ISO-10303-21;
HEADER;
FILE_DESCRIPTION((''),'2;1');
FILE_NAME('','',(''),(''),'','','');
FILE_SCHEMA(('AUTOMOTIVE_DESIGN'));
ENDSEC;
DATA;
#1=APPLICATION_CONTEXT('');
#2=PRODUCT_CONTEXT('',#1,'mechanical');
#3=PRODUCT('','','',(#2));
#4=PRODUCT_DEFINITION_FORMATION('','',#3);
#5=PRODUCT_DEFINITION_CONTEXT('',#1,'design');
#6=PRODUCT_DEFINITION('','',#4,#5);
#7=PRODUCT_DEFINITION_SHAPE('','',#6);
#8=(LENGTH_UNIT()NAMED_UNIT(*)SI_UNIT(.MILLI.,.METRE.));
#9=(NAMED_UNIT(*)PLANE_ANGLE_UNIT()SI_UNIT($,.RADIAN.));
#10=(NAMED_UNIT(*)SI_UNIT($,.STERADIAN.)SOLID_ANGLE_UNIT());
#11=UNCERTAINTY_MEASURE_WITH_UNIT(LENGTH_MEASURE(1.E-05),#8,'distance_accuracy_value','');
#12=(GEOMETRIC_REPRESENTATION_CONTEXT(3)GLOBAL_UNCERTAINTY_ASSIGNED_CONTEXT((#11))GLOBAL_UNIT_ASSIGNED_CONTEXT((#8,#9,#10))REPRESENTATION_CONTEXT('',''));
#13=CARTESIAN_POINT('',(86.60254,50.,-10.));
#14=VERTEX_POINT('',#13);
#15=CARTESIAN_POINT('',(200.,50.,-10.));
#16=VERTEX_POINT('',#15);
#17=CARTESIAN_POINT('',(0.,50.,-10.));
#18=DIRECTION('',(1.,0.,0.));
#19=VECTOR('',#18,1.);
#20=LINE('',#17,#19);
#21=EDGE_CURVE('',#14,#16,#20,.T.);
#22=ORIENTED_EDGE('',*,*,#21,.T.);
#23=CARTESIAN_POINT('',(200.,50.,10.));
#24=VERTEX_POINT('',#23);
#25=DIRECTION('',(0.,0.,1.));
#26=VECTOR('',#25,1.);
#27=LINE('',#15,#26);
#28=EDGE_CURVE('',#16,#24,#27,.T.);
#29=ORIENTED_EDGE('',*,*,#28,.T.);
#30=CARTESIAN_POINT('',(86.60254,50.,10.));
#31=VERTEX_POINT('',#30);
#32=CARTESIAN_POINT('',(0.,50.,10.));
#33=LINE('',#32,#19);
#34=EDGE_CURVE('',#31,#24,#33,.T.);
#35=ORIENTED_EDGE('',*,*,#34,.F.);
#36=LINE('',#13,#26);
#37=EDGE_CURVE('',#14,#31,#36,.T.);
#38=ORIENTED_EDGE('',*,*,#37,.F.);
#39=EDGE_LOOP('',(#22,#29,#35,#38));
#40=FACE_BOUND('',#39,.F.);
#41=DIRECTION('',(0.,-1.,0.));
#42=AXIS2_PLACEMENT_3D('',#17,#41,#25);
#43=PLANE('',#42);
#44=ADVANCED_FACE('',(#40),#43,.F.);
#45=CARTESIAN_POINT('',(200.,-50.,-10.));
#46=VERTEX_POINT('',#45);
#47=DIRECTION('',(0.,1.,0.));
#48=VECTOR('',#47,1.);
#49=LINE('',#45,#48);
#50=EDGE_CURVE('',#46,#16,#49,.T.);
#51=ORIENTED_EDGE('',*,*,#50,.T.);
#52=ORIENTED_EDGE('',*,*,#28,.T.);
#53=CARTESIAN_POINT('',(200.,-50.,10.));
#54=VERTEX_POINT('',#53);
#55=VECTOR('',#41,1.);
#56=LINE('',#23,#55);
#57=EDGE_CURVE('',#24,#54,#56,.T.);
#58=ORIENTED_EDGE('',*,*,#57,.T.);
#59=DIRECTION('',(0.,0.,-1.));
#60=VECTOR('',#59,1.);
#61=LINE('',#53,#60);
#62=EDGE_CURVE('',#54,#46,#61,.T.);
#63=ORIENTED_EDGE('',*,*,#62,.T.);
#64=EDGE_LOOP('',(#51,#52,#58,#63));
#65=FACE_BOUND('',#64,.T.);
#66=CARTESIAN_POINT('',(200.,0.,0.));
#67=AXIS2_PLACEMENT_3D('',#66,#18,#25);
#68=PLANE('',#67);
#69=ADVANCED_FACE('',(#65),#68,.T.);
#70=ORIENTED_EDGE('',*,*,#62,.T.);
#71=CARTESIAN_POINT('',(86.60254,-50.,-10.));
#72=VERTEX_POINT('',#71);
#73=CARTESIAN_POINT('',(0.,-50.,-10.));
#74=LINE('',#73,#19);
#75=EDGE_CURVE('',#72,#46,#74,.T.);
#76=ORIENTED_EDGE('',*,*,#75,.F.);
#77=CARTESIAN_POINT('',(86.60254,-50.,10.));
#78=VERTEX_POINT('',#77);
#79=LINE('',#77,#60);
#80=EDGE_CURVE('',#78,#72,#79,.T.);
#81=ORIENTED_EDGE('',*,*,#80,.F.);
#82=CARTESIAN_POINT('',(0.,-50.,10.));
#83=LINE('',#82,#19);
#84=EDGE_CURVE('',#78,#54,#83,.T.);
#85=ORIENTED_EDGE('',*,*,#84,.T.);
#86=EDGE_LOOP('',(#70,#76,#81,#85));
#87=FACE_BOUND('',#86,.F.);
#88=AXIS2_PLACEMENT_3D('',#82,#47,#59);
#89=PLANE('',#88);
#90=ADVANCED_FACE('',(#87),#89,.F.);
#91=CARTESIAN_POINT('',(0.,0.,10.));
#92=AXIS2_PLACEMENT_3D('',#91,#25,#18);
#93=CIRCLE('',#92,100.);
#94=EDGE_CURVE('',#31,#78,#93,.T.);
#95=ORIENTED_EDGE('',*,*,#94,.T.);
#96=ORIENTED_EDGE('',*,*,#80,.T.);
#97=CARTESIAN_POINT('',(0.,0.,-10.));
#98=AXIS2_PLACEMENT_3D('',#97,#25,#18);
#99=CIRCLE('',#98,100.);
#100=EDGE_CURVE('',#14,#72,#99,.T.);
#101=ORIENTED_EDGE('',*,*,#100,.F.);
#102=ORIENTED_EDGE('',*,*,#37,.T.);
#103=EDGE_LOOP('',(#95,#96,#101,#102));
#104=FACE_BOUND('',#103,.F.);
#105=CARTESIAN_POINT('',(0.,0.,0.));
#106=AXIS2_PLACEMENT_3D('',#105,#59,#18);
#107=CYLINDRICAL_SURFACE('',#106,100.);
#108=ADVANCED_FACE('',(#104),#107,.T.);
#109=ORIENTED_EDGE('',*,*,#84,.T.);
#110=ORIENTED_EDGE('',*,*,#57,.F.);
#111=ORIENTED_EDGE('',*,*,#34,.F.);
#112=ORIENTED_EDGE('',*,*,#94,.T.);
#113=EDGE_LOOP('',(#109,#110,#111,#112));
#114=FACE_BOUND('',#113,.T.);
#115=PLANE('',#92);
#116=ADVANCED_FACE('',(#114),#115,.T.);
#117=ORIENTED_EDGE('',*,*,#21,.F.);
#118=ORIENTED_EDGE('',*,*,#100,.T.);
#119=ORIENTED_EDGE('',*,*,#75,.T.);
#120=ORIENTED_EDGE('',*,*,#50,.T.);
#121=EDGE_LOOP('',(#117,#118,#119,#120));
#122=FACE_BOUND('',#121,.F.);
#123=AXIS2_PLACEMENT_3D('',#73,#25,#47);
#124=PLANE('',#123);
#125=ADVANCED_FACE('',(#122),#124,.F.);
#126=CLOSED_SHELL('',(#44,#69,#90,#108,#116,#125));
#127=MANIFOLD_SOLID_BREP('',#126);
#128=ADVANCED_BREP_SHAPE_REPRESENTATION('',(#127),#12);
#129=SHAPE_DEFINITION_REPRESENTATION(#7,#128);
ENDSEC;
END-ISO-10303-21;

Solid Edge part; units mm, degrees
sketch "Sketch1" plane through (0, 0, 0) normal (0, 0, 1) x (1, 0, 0)
  circle A0 centre (0, 0) radius 100
extrude "Protrusion1" add sketch "Sketch1" along normal mid plane 20
sketch "Sketch2" plane through (0, 0, 0) normal (1, 0, 0) x (0, 1, 0)
  line L0 (50, -10) -> (50, 10)
  line L1 (50, 10) -> (-50, 10)
  line L2 (-50, 10) -> (-50, -10)
  line L3 (-50, -10) -> (50, -10)
extrude "ExtrudedProtrusion_2" add sketch "Sketch2" along normal blind 200
properties material "Aluminum, 1060"
